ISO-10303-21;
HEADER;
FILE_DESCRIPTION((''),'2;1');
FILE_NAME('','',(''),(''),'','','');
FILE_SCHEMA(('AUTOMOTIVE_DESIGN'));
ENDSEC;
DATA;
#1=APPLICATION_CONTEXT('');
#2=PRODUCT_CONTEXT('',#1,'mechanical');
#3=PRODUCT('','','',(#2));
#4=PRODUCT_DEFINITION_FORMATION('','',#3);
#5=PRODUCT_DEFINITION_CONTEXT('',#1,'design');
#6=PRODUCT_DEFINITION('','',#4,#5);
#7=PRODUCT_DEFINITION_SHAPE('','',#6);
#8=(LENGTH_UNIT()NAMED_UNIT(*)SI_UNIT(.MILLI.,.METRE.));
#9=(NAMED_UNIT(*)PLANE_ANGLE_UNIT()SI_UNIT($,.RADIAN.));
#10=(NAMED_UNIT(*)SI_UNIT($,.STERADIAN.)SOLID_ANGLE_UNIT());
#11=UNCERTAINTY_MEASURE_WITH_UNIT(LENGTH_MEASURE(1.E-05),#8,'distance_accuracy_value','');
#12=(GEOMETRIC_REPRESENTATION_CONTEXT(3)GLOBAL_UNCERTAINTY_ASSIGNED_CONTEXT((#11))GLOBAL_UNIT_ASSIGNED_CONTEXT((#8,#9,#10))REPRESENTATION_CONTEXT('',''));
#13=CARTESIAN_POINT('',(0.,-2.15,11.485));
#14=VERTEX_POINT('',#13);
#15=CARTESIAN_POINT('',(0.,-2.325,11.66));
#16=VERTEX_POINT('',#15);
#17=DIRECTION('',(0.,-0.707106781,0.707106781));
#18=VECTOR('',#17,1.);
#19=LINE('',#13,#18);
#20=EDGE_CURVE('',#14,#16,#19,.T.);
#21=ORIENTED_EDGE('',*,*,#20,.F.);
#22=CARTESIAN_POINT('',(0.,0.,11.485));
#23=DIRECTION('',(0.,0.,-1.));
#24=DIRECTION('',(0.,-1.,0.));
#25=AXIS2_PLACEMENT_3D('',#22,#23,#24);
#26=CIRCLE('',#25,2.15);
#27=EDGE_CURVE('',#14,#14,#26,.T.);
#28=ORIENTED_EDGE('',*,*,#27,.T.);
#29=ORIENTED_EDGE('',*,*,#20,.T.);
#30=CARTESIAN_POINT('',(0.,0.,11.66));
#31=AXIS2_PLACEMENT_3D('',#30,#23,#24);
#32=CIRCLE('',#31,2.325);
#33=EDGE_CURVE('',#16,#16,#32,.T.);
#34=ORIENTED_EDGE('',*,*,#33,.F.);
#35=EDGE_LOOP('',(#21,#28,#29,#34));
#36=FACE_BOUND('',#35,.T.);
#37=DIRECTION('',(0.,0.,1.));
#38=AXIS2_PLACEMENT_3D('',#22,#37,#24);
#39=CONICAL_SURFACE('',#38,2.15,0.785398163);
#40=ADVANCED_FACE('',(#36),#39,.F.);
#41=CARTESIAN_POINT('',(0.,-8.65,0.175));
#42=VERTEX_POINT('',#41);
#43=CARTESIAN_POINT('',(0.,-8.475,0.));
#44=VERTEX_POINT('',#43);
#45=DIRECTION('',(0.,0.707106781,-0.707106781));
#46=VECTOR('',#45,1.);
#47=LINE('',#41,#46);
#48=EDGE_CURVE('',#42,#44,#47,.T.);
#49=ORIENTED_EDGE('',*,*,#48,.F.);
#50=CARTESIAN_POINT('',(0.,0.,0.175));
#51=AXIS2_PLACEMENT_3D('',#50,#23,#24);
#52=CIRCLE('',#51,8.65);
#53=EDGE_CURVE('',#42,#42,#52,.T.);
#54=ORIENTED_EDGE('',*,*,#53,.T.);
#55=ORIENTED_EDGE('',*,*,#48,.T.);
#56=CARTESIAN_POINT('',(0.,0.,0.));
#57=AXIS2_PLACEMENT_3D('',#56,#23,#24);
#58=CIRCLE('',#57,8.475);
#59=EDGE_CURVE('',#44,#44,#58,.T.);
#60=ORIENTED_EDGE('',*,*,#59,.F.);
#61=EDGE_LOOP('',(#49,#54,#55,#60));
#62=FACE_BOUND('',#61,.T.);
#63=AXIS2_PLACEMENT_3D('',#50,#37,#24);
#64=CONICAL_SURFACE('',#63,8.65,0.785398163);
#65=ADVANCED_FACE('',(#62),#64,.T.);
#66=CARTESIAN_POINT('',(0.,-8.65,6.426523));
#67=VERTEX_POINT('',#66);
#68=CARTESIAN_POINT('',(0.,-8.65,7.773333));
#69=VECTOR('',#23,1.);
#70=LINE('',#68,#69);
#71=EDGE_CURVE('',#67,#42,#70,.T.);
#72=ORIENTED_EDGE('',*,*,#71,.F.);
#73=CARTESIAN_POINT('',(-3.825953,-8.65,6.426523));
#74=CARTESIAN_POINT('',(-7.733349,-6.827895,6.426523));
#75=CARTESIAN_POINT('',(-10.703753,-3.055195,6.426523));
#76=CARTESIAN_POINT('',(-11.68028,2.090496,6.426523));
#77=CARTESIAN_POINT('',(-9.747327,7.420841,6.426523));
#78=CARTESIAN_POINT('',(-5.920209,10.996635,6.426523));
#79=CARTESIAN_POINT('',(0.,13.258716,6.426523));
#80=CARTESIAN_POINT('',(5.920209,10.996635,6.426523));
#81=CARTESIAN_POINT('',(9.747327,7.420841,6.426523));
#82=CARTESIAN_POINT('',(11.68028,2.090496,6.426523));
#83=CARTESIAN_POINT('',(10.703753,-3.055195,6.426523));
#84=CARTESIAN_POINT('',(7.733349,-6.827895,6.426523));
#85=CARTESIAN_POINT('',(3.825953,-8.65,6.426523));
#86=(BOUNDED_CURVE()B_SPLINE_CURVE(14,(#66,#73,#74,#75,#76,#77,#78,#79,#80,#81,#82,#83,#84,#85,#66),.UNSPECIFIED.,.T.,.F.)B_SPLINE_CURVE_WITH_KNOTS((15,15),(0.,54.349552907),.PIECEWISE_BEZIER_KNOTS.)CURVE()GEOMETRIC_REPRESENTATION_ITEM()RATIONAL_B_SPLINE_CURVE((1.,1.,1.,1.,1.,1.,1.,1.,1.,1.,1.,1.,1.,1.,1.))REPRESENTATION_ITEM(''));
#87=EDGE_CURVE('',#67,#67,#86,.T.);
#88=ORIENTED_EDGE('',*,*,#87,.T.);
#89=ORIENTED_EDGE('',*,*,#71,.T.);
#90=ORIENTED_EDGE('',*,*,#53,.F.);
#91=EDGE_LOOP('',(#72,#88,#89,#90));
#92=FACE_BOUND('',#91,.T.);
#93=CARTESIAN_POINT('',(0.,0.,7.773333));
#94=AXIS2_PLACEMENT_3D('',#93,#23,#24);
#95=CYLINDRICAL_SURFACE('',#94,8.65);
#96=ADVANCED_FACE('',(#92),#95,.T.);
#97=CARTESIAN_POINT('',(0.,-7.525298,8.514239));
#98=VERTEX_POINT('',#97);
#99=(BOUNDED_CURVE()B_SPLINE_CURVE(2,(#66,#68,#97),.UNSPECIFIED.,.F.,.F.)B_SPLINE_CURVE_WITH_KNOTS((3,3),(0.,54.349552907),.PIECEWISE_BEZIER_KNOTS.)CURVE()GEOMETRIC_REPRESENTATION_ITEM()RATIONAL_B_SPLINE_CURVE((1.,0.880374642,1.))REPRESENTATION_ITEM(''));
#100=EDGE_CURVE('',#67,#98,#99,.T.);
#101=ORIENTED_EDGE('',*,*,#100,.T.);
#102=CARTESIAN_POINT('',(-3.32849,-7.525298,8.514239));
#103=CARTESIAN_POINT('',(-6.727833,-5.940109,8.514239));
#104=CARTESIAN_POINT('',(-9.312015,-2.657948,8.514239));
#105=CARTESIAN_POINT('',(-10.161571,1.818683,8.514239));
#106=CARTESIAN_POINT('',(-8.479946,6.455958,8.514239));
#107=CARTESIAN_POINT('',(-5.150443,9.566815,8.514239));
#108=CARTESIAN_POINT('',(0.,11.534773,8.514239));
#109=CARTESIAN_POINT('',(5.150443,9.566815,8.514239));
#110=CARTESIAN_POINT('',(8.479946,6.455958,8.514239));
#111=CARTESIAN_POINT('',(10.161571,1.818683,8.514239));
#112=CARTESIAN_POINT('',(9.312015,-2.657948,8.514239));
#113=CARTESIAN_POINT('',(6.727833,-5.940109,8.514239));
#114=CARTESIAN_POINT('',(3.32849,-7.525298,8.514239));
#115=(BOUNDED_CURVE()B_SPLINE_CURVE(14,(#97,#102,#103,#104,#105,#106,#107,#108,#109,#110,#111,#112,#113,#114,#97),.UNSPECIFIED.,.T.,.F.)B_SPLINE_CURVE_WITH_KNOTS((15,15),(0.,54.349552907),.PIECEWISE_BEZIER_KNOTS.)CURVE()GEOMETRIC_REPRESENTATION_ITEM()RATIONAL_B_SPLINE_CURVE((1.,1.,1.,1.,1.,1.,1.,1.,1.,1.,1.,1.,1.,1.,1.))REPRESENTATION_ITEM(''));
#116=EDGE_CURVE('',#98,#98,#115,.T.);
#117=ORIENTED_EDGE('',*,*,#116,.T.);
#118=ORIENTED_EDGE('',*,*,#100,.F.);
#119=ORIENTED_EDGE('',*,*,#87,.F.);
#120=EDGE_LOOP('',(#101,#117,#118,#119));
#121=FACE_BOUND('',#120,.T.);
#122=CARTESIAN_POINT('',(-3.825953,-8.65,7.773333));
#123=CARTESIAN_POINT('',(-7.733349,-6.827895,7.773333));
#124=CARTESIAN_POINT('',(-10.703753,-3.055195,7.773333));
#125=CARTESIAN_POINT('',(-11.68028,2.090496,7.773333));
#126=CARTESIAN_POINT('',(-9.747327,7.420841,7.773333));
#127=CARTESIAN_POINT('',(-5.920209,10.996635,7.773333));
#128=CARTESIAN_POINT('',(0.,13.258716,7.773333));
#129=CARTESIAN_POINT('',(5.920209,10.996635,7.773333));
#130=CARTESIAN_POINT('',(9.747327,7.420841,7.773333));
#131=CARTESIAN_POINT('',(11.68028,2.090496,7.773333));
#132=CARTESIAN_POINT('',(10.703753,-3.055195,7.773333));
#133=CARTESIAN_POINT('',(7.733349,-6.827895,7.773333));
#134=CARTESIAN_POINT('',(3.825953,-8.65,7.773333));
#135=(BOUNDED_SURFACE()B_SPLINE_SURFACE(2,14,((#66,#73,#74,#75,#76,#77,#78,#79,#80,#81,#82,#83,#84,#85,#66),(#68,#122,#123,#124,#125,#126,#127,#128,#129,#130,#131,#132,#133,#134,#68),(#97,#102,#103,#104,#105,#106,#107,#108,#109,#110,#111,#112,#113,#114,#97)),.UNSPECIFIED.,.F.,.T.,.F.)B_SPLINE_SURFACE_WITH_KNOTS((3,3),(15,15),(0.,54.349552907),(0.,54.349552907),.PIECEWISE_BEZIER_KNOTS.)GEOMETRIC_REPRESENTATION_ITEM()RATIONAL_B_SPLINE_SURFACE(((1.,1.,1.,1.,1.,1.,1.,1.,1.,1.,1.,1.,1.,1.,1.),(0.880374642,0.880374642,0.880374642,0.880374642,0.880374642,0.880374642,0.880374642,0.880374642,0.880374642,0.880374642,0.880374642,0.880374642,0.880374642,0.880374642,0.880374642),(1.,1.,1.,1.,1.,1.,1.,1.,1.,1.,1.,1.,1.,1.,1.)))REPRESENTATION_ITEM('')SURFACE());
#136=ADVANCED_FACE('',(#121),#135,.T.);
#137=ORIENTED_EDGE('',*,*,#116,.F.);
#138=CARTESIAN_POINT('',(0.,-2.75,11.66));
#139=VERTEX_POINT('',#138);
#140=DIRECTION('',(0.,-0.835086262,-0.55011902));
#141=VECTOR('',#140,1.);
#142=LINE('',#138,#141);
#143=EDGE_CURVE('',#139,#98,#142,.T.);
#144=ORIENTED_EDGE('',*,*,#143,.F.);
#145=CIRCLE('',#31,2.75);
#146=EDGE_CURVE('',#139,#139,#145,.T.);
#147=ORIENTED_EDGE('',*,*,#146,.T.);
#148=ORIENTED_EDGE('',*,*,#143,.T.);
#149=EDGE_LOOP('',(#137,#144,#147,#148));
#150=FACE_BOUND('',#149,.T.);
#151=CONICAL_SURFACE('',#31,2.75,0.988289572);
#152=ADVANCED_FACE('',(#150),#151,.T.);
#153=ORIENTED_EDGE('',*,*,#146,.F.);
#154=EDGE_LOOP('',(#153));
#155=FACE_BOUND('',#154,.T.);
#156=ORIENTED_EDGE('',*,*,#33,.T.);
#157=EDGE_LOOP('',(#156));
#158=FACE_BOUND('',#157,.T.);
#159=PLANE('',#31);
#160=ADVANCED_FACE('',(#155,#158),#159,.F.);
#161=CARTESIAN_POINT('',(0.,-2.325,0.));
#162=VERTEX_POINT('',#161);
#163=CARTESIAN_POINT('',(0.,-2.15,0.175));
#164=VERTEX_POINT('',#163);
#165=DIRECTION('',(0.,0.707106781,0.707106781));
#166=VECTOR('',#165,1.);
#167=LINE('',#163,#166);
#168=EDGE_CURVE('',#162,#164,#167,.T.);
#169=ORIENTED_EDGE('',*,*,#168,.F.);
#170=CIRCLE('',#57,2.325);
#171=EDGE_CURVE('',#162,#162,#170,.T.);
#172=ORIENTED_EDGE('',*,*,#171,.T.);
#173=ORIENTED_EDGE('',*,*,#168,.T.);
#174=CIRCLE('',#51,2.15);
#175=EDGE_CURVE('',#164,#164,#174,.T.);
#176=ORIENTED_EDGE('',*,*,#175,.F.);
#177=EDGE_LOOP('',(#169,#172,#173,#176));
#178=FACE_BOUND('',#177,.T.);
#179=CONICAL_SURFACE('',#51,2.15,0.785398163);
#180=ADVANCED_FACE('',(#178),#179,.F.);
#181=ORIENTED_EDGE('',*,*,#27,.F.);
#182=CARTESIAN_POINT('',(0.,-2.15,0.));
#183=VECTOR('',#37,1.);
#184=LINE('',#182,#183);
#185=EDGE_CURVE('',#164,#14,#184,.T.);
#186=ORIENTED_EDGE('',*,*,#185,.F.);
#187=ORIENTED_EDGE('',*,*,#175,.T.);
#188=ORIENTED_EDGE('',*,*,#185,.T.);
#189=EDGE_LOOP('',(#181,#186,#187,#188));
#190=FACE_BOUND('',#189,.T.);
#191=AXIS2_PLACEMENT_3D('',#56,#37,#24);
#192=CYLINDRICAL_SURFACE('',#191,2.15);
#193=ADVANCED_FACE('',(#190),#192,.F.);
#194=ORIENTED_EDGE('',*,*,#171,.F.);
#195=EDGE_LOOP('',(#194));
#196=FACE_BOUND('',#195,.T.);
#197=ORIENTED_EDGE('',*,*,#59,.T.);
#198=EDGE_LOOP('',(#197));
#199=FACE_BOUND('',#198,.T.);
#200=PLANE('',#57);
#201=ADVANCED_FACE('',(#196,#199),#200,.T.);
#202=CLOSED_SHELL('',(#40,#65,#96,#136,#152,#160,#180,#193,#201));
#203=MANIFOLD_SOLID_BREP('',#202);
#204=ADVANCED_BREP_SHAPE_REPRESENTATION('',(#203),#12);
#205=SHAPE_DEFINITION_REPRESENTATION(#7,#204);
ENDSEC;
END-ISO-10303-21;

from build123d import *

# Parameters (mm, degrees)
F2_SIZE = 0.175
F3_R    = 2.5


with BuildPart() as f1:
    # F0 (on Right) → F1 (revolve)
    with BuildSketch(Plane.YZ):
        Polygon((-8.65, 7.773333), (-8.65, 0), (-2.15, 0), (-2.15, 11.66), (-2.75, 11.66), align=None)
    revolve(axis=Axis((0, 0, 8.606664), (0, 0, -1)))

    # F2
    f2_edges = [f1.edges().sort_by_distance(p)[0] for p in [
        (0, 2.15, 11.66),
        (0, 8.65, 0),
        (0, 2.15, 0),
    ]]
    chamfer(f2_edges, length=F2_SIZE)

    # F3
    f3_edges = [f1.edges().sort_by_distance(p)[0] for p in [
        (0, 8.65, 7.773333),
    ]]
    fillet(f3_edges, radius=F3_R)


solid = f1.part
